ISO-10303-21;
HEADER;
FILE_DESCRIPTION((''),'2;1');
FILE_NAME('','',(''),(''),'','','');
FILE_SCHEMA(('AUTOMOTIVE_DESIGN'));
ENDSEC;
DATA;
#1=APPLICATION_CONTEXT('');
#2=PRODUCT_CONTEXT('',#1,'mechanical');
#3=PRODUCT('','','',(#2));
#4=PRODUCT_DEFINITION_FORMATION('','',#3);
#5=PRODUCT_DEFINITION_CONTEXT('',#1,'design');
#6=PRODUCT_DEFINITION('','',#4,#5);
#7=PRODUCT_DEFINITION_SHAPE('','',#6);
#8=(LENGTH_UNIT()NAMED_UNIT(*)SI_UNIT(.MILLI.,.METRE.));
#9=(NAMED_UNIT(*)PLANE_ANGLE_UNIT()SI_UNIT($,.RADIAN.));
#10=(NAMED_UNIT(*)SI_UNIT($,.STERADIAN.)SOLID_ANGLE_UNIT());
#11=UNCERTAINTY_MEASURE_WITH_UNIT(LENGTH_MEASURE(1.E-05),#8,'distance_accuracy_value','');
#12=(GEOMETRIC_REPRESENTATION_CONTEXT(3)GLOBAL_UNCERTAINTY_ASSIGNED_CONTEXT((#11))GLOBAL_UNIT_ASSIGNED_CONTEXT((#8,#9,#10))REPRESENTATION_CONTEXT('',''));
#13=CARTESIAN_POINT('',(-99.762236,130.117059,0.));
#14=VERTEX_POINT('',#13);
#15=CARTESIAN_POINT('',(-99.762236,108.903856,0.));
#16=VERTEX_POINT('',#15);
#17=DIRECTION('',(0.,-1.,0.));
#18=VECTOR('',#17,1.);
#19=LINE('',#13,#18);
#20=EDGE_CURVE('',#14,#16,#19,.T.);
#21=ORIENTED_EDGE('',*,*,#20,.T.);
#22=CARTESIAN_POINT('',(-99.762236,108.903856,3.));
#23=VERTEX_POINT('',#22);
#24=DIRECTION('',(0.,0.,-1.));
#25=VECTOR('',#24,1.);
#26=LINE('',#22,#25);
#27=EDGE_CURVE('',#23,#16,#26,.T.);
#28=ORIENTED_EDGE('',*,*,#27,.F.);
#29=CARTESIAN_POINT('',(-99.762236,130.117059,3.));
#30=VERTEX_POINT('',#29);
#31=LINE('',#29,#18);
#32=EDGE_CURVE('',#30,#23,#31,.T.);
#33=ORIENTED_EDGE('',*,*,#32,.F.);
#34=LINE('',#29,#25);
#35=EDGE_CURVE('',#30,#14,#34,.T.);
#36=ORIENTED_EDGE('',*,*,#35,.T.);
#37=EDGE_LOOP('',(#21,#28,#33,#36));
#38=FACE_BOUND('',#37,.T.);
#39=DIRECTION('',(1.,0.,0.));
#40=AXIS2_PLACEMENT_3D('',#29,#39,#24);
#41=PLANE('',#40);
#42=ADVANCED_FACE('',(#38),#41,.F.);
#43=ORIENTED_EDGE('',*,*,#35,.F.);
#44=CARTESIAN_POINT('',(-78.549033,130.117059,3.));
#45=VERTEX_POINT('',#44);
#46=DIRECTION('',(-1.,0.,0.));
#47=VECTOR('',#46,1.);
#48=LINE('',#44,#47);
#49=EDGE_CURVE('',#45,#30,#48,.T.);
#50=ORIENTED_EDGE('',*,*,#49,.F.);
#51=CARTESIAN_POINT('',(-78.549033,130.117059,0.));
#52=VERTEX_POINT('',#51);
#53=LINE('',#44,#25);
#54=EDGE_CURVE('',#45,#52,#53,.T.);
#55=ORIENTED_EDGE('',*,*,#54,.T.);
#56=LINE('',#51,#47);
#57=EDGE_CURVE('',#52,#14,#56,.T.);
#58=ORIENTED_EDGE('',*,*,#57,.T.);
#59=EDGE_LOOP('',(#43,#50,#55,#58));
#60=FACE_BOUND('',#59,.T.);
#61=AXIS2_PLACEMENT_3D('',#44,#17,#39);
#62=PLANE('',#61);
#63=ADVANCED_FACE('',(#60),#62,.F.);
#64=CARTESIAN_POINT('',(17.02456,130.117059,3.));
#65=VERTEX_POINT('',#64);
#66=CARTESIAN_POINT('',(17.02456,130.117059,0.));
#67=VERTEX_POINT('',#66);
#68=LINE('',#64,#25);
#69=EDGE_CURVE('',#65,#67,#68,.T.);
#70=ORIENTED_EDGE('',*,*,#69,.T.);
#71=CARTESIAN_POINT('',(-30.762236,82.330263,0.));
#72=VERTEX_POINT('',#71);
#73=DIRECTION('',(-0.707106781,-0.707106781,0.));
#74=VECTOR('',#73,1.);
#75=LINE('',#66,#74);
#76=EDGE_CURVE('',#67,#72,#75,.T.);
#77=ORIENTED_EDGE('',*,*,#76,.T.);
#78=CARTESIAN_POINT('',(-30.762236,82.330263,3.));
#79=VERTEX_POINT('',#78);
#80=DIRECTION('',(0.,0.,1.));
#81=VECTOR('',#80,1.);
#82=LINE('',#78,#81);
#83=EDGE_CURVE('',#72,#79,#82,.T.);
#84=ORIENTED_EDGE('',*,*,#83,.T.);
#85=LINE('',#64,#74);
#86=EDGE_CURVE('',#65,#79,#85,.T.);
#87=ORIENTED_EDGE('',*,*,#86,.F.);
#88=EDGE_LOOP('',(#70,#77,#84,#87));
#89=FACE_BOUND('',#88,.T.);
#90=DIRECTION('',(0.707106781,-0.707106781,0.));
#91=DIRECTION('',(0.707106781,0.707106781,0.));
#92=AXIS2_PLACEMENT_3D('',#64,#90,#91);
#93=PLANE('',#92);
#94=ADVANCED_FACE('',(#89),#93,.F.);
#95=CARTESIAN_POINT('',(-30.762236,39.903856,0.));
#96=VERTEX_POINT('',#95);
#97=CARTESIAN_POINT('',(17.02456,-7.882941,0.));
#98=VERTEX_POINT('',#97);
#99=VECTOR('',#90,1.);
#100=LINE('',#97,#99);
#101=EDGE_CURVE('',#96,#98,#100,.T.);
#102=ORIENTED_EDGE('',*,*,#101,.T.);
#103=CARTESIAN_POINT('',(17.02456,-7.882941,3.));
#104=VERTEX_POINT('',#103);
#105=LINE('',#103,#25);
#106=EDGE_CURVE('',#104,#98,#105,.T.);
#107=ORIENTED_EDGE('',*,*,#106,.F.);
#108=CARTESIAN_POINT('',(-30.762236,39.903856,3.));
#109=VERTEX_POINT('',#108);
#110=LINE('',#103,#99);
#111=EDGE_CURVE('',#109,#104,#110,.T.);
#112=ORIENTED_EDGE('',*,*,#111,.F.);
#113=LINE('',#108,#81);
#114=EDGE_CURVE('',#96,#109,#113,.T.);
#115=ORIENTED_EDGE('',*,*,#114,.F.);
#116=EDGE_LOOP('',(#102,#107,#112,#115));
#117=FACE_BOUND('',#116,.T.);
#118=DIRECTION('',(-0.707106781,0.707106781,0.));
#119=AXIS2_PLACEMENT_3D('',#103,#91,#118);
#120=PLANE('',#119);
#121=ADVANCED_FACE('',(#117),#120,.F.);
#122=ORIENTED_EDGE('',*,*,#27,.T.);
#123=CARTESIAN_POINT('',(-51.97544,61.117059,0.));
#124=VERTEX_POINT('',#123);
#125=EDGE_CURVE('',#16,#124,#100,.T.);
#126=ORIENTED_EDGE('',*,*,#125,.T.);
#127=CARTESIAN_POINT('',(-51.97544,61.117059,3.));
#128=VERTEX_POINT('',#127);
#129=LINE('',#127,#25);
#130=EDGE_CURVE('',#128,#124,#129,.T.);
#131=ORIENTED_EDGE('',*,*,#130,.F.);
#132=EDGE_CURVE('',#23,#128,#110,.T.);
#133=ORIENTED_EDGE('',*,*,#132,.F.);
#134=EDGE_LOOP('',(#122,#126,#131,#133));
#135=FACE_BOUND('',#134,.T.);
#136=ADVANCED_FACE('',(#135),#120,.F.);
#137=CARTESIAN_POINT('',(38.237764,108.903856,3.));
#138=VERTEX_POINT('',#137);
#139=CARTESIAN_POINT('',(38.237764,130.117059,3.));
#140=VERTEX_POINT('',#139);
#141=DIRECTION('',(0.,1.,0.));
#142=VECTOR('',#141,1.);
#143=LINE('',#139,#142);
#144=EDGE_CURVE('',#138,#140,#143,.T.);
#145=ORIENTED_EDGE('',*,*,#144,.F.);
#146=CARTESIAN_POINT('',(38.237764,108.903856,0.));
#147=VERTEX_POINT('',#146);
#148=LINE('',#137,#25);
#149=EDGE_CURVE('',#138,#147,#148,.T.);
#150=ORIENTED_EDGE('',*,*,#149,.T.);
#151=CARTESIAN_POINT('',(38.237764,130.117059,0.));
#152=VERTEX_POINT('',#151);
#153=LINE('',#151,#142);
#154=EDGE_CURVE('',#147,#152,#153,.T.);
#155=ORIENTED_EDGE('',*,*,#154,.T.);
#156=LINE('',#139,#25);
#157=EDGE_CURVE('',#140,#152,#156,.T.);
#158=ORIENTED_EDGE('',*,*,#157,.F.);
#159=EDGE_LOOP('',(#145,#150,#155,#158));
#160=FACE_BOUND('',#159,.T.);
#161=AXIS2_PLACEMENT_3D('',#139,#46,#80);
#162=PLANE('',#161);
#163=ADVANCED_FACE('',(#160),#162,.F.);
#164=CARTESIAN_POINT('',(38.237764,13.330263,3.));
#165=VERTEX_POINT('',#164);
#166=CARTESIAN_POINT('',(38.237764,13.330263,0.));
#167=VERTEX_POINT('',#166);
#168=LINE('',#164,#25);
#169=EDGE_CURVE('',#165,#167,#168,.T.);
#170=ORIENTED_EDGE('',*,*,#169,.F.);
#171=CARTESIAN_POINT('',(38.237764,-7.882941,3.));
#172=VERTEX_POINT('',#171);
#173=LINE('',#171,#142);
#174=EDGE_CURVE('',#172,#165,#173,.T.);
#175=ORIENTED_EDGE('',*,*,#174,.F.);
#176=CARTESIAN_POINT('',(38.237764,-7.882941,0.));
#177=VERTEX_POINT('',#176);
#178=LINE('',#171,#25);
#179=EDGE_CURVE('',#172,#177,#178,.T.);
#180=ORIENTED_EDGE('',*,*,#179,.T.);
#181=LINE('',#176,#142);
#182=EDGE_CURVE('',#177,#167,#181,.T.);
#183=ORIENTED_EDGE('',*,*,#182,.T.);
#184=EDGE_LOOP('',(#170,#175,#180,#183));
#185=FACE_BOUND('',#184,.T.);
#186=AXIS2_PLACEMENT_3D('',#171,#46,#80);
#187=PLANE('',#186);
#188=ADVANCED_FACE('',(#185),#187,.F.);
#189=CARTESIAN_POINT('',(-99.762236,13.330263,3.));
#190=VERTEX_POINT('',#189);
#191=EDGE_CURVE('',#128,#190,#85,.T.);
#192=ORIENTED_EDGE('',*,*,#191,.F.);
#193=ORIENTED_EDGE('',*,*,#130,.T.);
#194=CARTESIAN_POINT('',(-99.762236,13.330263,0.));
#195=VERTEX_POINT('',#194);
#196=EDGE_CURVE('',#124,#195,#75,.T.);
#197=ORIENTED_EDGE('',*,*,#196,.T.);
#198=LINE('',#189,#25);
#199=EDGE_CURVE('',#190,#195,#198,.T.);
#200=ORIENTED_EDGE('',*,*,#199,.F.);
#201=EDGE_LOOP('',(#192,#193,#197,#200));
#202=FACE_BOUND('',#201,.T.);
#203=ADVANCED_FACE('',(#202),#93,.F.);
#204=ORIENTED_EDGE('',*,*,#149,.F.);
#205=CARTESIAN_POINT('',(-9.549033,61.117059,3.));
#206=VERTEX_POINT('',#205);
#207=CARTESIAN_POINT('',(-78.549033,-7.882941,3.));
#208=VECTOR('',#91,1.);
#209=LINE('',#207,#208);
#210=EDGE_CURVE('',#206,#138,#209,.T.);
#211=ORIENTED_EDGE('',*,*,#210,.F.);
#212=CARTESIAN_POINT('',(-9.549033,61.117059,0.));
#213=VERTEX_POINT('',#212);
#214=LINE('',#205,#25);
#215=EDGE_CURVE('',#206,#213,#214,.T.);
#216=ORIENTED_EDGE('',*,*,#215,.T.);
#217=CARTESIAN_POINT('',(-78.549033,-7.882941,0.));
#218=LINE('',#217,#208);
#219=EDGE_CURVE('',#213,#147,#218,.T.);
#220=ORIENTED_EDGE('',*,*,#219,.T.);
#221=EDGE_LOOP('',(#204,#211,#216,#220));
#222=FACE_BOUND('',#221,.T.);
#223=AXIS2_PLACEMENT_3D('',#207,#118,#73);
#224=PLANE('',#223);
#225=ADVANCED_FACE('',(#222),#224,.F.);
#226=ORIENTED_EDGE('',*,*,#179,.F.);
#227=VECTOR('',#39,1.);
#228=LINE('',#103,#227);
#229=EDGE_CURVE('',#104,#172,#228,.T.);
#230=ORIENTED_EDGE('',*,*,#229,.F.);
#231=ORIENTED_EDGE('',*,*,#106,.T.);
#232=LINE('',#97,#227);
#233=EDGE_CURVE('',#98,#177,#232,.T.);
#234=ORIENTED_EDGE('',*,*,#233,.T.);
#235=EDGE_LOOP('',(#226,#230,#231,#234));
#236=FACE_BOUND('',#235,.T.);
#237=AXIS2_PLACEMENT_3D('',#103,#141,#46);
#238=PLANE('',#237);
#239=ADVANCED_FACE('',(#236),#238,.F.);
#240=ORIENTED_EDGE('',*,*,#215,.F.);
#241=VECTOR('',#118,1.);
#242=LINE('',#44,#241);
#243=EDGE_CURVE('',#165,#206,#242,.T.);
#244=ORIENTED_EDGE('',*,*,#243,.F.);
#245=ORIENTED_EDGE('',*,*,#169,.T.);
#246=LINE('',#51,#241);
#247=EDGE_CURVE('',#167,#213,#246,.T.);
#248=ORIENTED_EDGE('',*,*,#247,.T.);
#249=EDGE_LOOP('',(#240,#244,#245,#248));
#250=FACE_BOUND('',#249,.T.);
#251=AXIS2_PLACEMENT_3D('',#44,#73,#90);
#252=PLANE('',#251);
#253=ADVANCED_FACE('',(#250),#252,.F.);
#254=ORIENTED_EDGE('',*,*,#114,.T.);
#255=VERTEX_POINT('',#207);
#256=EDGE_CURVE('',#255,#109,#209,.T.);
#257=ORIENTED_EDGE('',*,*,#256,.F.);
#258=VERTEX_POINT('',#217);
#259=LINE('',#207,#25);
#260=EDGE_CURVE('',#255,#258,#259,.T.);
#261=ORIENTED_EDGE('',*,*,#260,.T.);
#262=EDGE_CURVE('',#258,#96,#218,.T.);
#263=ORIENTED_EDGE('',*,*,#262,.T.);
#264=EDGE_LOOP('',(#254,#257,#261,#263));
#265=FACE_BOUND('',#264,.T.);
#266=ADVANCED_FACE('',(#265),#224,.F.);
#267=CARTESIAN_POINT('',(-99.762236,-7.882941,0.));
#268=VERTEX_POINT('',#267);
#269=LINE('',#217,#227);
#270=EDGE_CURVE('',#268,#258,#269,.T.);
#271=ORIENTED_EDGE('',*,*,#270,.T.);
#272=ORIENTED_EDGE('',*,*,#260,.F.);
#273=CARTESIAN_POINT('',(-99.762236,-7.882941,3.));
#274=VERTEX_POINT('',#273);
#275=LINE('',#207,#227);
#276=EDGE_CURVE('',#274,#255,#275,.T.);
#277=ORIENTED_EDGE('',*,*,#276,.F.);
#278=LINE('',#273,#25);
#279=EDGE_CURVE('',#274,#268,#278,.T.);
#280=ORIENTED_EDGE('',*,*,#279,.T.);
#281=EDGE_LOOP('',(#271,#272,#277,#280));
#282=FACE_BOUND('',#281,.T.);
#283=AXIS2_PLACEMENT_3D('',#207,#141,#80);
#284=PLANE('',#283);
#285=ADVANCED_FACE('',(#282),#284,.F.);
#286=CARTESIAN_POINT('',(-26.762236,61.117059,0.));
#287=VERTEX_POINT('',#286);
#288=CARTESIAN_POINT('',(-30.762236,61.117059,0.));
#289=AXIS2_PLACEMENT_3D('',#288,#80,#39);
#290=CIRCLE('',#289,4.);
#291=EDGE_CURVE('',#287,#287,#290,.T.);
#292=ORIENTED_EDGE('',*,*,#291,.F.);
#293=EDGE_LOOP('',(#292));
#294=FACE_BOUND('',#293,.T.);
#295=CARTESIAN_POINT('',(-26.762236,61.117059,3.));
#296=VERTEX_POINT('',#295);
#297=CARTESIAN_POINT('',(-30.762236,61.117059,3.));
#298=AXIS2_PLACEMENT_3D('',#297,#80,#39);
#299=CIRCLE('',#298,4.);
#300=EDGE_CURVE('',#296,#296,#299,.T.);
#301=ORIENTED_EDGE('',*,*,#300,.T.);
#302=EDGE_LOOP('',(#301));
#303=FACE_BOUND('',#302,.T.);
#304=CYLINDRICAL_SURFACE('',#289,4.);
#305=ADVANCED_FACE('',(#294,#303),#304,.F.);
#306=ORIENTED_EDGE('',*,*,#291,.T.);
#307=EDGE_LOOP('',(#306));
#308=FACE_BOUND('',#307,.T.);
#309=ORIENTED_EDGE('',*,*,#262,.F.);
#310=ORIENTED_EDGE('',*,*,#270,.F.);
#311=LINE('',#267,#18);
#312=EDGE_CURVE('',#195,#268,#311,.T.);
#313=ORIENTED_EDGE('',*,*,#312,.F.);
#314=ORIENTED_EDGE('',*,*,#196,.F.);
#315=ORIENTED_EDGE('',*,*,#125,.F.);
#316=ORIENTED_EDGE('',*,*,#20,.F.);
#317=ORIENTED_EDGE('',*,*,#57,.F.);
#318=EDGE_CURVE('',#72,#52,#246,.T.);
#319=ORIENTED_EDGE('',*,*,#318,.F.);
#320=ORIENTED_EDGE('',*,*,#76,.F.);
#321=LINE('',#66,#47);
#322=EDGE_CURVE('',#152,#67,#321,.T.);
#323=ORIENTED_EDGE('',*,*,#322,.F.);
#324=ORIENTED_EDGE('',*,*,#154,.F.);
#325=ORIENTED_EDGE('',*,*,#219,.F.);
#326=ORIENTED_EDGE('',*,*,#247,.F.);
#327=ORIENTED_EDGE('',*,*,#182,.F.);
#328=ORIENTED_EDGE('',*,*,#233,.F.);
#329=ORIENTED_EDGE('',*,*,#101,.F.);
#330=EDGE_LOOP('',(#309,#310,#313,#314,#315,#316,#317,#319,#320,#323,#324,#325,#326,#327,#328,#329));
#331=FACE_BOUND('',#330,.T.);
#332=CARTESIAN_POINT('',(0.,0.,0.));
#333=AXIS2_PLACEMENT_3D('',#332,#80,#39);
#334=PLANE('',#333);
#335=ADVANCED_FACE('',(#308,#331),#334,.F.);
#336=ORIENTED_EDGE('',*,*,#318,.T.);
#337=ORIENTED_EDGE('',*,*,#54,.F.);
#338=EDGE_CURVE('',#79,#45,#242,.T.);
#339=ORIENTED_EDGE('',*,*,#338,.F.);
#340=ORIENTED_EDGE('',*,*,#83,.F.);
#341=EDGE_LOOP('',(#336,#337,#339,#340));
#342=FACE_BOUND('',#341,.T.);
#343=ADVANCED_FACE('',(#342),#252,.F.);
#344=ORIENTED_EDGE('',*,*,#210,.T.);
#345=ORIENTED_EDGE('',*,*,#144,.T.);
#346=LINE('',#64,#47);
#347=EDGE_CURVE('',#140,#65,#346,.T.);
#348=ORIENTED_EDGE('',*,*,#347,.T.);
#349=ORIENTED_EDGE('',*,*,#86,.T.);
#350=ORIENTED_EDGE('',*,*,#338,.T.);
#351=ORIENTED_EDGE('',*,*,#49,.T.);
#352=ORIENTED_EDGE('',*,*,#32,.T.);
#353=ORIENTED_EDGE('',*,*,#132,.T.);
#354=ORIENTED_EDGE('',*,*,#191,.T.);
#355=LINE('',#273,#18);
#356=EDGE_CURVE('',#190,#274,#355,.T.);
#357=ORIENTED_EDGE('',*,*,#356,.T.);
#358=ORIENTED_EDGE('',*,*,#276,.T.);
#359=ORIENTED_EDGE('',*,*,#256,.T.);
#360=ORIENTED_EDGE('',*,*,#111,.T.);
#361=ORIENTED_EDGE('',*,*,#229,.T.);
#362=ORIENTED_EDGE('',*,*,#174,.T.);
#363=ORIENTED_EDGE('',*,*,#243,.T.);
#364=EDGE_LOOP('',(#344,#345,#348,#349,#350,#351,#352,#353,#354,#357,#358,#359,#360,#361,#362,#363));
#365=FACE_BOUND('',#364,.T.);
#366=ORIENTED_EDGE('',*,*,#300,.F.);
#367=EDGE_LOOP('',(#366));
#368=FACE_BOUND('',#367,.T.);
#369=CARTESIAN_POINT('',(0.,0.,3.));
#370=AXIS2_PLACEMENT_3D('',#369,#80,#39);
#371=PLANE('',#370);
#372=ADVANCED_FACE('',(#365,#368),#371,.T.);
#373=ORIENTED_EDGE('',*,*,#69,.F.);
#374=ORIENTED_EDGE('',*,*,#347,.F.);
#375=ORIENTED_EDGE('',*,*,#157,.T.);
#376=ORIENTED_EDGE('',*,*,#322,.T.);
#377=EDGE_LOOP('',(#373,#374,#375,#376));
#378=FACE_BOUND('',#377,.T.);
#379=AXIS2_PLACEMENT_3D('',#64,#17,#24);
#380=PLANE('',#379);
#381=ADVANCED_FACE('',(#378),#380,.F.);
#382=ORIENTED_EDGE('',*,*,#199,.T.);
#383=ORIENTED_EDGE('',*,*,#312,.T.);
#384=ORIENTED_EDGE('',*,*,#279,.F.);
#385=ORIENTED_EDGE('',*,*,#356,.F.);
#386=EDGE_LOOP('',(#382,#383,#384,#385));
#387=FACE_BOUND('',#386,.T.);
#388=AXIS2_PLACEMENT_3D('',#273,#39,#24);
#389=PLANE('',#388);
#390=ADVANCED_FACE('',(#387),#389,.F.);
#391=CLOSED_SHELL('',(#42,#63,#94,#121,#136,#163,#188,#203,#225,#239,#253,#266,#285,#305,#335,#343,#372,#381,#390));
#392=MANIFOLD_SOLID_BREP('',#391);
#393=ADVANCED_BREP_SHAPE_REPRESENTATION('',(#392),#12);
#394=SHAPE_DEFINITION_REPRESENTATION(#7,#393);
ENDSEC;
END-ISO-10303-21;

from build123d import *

# Parameters (mm, degrees)
BOSS_EXTRUDE1_DEPTH     = 3
BOSS_EXTRUDE2_DEPTH     = 3
CUT_EXTRUDE1_DEPTH      = 164.987660837
CUT_EXTRUDE1_DEPTH_BACK = 164.987660837
SKETCH9_R               = 4


with BuildPart() as part:
    # Sketch7 → Boss-Extrude1 (new body)
    with BuildSketch(Plane.XY):
        Polygon((-78.549032868, 130.117059275), (38.237763696, 13.33026271), (38.237763696, -7.882940725), (17.02456026, -7.882940725), (-99.762236304, 108.903855839), (-99.762236304, 130.117059275), align=None)
    extrude(amount=BOSS_EXTRUDE1_DEPTH)

    # Sketch8 → Boss-Extrude2 (add)
    with BuildSketch(Plane.XY):
        Polygon((-78.549032868, -7.882940725), (38.237763696, 108.903855839), (38.237763696, 130.117059275), (17.02456026, 130.117059275), (-99.762236304, 13.33026271), (-99.762236304, -7.882940725), align=None)
    extrude(amount=BOSS_EXTRUDE2_DEPTH)

    # Sketch9 → Cut-Extrude1 (cut, two sides: drawn at the far end of the back side and taken through both)
    with BuildSketch(Plane.XY.offset(3).offset(-CUT_EXTRUDE1_DEPTH_BACK)):
        with Locations((-30.762236304, 61.117059275)):
            Circle(SKETCH9_R)
    extrude(amount=CUT_EXTRUDE1_DEPTH + CUT_EXTRUDE1_DEPTH_BACK, mode=Mode.SUBTRACT)


solid = part.part
